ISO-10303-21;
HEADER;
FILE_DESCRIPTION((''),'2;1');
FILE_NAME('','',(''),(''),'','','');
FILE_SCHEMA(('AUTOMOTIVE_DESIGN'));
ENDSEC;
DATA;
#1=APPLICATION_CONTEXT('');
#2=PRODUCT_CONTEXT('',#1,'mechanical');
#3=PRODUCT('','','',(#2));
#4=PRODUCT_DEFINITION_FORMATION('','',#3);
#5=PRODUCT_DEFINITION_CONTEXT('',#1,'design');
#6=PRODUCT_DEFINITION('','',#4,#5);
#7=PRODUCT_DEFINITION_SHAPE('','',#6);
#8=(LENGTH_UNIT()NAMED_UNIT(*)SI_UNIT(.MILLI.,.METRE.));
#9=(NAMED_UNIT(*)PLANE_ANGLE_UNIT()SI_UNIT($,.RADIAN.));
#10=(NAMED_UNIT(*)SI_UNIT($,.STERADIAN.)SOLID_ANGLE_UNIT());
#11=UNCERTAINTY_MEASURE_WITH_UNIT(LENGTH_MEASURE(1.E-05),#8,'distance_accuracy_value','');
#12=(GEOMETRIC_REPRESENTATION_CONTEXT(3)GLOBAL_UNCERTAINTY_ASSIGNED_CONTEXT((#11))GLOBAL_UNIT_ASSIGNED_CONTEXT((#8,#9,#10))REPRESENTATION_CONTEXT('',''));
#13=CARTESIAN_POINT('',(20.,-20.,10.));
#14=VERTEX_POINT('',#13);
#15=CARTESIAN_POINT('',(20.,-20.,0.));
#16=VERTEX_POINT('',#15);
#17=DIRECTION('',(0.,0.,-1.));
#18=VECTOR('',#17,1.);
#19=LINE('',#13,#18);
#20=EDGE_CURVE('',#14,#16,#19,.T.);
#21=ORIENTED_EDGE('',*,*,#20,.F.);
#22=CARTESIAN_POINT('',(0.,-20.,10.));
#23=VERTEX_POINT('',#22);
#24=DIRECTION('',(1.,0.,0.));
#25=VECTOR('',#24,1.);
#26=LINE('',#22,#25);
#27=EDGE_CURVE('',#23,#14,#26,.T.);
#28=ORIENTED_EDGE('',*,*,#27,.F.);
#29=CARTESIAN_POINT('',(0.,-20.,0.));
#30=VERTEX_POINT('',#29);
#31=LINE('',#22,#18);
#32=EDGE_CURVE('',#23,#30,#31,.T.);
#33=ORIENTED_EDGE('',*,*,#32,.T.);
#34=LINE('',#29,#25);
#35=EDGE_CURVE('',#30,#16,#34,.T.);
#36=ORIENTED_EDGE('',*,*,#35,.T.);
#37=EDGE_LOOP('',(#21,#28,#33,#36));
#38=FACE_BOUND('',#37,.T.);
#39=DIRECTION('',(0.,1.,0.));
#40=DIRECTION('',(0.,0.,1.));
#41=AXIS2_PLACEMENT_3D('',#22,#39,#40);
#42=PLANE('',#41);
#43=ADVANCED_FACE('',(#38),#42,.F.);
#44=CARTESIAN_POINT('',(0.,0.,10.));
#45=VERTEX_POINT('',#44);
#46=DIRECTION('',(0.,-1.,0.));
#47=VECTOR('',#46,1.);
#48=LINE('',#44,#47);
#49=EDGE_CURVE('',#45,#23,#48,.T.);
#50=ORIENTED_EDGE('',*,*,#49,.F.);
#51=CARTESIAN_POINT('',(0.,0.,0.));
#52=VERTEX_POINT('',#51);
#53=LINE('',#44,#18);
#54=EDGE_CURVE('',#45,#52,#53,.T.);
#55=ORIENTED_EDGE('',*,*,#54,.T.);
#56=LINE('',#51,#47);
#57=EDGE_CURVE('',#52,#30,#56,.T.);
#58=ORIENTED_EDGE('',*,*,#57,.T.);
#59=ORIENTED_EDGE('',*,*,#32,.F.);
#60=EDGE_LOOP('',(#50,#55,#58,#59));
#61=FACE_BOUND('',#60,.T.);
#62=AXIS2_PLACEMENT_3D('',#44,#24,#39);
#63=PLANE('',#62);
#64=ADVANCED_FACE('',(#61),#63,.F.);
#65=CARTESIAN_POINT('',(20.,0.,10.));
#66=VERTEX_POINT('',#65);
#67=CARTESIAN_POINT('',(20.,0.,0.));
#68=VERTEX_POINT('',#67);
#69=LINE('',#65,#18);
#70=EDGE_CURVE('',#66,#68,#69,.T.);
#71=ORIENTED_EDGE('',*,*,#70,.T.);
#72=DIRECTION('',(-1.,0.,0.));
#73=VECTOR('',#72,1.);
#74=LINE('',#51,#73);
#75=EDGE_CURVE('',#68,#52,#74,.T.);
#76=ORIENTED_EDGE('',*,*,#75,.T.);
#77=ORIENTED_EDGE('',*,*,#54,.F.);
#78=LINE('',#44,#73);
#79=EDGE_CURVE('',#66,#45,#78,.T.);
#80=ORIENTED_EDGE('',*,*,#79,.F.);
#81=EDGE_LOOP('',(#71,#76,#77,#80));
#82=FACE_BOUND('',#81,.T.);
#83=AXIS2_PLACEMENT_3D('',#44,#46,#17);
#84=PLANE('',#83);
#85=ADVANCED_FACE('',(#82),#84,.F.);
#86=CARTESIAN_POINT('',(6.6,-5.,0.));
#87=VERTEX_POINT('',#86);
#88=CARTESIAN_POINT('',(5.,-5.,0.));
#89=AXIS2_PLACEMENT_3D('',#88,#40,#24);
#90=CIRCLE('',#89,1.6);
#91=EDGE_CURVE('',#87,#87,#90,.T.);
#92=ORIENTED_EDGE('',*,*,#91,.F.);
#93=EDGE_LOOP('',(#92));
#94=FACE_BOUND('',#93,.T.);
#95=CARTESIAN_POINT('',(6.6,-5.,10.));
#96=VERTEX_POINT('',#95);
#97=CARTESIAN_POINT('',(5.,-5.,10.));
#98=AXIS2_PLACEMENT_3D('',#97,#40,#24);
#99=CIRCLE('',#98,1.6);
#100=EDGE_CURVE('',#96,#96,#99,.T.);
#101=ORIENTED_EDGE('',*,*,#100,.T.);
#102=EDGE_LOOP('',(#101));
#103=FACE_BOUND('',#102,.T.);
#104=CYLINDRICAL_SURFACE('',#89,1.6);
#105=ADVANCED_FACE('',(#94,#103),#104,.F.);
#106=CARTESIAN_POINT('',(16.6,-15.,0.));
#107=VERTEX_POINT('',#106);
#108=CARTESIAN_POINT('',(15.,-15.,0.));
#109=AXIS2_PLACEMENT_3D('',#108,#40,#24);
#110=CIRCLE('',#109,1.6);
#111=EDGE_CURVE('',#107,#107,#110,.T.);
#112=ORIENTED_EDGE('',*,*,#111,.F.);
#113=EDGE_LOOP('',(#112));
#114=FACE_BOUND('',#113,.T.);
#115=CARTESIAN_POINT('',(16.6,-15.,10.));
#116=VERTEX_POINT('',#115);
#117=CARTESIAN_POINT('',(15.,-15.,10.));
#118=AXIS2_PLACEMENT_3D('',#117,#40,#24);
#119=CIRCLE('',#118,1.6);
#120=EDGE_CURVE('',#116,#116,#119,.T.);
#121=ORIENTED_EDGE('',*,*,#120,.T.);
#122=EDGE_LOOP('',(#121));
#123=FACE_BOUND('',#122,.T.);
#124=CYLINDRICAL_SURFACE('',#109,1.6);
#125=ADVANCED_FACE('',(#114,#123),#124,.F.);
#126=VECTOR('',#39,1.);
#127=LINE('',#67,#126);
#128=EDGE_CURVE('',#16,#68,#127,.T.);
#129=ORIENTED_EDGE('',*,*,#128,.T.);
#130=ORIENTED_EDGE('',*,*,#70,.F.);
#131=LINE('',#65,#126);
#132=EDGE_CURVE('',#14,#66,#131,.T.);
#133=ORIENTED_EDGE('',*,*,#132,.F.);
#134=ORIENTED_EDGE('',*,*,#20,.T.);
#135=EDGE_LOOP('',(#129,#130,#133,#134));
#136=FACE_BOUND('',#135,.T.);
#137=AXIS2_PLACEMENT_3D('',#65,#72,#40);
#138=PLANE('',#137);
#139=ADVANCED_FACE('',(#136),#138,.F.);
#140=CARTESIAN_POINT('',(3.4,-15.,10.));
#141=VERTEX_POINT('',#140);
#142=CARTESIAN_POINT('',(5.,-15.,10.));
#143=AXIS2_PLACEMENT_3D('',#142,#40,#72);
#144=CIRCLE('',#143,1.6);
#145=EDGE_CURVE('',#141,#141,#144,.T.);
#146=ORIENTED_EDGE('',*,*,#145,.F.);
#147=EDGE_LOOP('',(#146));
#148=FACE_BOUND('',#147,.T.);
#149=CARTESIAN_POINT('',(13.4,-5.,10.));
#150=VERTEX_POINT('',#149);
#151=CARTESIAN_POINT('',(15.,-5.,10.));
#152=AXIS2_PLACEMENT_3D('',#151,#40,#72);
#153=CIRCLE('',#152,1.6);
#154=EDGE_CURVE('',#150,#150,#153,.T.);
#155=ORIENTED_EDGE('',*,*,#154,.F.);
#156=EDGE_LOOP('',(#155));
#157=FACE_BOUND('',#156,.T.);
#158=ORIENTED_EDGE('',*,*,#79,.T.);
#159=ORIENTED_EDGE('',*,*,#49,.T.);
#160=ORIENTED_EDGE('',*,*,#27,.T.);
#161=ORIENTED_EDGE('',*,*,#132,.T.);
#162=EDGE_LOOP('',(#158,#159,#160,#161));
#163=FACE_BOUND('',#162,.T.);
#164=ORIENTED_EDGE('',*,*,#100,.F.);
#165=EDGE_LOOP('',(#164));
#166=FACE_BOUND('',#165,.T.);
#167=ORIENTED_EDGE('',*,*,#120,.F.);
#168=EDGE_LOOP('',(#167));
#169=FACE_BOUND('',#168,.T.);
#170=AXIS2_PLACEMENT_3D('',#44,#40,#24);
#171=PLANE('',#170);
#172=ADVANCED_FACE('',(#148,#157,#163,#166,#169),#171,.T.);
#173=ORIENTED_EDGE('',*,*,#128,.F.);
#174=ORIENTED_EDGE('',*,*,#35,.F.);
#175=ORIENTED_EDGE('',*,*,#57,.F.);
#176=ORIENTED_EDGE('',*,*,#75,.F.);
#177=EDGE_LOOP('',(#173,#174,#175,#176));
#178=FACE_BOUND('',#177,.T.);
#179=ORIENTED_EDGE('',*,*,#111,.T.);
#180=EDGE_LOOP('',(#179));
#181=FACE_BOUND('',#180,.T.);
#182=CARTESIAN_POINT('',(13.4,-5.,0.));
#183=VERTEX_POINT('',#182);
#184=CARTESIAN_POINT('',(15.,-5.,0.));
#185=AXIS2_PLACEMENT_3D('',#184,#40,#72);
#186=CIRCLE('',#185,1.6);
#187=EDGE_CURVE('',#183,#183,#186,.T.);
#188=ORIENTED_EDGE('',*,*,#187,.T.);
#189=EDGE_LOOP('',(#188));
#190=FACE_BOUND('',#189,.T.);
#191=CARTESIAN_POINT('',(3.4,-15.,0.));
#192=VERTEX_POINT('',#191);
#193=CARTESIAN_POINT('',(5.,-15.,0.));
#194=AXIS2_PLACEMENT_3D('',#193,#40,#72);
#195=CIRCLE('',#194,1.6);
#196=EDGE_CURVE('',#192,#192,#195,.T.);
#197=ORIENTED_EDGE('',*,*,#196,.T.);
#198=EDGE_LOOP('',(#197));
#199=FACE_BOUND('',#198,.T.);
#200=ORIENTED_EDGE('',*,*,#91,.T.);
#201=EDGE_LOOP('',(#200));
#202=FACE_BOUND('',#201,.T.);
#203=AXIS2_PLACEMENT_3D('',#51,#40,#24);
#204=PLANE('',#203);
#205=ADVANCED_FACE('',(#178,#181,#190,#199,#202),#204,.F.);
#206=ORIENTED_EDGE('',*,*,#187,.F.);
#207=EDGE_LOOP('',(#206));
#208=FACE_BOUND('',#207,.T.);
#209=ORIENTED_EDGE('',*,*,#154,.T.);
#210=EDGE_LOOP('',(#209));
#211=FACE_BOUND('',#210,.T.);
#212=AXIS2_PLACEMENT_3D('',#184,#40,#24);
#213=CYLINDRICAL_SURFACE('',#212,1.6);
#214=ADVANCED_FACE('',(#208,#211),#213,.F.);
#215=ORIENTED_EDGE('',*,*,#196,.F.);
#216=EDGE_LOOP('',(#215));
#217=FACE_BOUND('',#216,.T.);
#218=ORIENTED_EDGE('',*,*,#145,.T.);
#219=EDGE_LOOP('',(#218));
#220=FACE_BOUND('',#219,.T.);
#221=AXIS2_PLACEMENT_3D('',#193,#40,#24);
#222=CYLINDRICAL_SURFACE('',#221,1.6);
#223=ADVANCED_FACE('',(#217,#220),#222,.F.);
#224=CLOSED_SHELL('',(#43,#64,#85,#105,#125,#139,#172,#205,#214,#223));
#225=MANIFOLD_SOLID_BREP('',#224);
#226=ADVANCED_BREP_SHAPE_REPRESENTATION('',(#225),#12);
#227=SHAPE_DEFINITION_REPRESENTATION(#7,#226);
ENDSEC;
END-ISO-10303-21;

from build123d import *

# Parameters (mm, degrees)
SKETCH_1_W          = 20
SKETCH_1_H          = 20
EXTRUDE_1_DEPTH     = 10
SKETCH_2_R          = 1.6
CUT_EXTRUDE_1_DEPTH = 31


with BuildPart() as part:
    # 草图1 → 凸台-拉伸1 (new body)
    with BuildSketch(Plane.XY):
        with Locations((10, -10)):
            Rectangle(SKETCH_1_W, SKETCH_1_H)
    extrude(amount=EXTRUDE_1_DEPTH)

    # 草图2 → 切除-拉伸1 (cut, through all)
    with BuildSketch(Plane.XY.offset(10)):
        with Locations((5, -5)):
            Circle(SKETCH_2_R)
        with Locations(Location((15, -5, 0), (0, 0, 180))):
            Circle(SKETCH_2_R)
        with Locations((15, -15)):
            Circle(SKETCH_2_R)
        with Locations(Location((5, -15, 0), (0, 0, 180))):
            Circle(SKETCH_2_R)
    extrude(amount=-CUT_EXTRUDE_1_DEPTH, mode=Mode.SUBTRACT)


solid = part.part
